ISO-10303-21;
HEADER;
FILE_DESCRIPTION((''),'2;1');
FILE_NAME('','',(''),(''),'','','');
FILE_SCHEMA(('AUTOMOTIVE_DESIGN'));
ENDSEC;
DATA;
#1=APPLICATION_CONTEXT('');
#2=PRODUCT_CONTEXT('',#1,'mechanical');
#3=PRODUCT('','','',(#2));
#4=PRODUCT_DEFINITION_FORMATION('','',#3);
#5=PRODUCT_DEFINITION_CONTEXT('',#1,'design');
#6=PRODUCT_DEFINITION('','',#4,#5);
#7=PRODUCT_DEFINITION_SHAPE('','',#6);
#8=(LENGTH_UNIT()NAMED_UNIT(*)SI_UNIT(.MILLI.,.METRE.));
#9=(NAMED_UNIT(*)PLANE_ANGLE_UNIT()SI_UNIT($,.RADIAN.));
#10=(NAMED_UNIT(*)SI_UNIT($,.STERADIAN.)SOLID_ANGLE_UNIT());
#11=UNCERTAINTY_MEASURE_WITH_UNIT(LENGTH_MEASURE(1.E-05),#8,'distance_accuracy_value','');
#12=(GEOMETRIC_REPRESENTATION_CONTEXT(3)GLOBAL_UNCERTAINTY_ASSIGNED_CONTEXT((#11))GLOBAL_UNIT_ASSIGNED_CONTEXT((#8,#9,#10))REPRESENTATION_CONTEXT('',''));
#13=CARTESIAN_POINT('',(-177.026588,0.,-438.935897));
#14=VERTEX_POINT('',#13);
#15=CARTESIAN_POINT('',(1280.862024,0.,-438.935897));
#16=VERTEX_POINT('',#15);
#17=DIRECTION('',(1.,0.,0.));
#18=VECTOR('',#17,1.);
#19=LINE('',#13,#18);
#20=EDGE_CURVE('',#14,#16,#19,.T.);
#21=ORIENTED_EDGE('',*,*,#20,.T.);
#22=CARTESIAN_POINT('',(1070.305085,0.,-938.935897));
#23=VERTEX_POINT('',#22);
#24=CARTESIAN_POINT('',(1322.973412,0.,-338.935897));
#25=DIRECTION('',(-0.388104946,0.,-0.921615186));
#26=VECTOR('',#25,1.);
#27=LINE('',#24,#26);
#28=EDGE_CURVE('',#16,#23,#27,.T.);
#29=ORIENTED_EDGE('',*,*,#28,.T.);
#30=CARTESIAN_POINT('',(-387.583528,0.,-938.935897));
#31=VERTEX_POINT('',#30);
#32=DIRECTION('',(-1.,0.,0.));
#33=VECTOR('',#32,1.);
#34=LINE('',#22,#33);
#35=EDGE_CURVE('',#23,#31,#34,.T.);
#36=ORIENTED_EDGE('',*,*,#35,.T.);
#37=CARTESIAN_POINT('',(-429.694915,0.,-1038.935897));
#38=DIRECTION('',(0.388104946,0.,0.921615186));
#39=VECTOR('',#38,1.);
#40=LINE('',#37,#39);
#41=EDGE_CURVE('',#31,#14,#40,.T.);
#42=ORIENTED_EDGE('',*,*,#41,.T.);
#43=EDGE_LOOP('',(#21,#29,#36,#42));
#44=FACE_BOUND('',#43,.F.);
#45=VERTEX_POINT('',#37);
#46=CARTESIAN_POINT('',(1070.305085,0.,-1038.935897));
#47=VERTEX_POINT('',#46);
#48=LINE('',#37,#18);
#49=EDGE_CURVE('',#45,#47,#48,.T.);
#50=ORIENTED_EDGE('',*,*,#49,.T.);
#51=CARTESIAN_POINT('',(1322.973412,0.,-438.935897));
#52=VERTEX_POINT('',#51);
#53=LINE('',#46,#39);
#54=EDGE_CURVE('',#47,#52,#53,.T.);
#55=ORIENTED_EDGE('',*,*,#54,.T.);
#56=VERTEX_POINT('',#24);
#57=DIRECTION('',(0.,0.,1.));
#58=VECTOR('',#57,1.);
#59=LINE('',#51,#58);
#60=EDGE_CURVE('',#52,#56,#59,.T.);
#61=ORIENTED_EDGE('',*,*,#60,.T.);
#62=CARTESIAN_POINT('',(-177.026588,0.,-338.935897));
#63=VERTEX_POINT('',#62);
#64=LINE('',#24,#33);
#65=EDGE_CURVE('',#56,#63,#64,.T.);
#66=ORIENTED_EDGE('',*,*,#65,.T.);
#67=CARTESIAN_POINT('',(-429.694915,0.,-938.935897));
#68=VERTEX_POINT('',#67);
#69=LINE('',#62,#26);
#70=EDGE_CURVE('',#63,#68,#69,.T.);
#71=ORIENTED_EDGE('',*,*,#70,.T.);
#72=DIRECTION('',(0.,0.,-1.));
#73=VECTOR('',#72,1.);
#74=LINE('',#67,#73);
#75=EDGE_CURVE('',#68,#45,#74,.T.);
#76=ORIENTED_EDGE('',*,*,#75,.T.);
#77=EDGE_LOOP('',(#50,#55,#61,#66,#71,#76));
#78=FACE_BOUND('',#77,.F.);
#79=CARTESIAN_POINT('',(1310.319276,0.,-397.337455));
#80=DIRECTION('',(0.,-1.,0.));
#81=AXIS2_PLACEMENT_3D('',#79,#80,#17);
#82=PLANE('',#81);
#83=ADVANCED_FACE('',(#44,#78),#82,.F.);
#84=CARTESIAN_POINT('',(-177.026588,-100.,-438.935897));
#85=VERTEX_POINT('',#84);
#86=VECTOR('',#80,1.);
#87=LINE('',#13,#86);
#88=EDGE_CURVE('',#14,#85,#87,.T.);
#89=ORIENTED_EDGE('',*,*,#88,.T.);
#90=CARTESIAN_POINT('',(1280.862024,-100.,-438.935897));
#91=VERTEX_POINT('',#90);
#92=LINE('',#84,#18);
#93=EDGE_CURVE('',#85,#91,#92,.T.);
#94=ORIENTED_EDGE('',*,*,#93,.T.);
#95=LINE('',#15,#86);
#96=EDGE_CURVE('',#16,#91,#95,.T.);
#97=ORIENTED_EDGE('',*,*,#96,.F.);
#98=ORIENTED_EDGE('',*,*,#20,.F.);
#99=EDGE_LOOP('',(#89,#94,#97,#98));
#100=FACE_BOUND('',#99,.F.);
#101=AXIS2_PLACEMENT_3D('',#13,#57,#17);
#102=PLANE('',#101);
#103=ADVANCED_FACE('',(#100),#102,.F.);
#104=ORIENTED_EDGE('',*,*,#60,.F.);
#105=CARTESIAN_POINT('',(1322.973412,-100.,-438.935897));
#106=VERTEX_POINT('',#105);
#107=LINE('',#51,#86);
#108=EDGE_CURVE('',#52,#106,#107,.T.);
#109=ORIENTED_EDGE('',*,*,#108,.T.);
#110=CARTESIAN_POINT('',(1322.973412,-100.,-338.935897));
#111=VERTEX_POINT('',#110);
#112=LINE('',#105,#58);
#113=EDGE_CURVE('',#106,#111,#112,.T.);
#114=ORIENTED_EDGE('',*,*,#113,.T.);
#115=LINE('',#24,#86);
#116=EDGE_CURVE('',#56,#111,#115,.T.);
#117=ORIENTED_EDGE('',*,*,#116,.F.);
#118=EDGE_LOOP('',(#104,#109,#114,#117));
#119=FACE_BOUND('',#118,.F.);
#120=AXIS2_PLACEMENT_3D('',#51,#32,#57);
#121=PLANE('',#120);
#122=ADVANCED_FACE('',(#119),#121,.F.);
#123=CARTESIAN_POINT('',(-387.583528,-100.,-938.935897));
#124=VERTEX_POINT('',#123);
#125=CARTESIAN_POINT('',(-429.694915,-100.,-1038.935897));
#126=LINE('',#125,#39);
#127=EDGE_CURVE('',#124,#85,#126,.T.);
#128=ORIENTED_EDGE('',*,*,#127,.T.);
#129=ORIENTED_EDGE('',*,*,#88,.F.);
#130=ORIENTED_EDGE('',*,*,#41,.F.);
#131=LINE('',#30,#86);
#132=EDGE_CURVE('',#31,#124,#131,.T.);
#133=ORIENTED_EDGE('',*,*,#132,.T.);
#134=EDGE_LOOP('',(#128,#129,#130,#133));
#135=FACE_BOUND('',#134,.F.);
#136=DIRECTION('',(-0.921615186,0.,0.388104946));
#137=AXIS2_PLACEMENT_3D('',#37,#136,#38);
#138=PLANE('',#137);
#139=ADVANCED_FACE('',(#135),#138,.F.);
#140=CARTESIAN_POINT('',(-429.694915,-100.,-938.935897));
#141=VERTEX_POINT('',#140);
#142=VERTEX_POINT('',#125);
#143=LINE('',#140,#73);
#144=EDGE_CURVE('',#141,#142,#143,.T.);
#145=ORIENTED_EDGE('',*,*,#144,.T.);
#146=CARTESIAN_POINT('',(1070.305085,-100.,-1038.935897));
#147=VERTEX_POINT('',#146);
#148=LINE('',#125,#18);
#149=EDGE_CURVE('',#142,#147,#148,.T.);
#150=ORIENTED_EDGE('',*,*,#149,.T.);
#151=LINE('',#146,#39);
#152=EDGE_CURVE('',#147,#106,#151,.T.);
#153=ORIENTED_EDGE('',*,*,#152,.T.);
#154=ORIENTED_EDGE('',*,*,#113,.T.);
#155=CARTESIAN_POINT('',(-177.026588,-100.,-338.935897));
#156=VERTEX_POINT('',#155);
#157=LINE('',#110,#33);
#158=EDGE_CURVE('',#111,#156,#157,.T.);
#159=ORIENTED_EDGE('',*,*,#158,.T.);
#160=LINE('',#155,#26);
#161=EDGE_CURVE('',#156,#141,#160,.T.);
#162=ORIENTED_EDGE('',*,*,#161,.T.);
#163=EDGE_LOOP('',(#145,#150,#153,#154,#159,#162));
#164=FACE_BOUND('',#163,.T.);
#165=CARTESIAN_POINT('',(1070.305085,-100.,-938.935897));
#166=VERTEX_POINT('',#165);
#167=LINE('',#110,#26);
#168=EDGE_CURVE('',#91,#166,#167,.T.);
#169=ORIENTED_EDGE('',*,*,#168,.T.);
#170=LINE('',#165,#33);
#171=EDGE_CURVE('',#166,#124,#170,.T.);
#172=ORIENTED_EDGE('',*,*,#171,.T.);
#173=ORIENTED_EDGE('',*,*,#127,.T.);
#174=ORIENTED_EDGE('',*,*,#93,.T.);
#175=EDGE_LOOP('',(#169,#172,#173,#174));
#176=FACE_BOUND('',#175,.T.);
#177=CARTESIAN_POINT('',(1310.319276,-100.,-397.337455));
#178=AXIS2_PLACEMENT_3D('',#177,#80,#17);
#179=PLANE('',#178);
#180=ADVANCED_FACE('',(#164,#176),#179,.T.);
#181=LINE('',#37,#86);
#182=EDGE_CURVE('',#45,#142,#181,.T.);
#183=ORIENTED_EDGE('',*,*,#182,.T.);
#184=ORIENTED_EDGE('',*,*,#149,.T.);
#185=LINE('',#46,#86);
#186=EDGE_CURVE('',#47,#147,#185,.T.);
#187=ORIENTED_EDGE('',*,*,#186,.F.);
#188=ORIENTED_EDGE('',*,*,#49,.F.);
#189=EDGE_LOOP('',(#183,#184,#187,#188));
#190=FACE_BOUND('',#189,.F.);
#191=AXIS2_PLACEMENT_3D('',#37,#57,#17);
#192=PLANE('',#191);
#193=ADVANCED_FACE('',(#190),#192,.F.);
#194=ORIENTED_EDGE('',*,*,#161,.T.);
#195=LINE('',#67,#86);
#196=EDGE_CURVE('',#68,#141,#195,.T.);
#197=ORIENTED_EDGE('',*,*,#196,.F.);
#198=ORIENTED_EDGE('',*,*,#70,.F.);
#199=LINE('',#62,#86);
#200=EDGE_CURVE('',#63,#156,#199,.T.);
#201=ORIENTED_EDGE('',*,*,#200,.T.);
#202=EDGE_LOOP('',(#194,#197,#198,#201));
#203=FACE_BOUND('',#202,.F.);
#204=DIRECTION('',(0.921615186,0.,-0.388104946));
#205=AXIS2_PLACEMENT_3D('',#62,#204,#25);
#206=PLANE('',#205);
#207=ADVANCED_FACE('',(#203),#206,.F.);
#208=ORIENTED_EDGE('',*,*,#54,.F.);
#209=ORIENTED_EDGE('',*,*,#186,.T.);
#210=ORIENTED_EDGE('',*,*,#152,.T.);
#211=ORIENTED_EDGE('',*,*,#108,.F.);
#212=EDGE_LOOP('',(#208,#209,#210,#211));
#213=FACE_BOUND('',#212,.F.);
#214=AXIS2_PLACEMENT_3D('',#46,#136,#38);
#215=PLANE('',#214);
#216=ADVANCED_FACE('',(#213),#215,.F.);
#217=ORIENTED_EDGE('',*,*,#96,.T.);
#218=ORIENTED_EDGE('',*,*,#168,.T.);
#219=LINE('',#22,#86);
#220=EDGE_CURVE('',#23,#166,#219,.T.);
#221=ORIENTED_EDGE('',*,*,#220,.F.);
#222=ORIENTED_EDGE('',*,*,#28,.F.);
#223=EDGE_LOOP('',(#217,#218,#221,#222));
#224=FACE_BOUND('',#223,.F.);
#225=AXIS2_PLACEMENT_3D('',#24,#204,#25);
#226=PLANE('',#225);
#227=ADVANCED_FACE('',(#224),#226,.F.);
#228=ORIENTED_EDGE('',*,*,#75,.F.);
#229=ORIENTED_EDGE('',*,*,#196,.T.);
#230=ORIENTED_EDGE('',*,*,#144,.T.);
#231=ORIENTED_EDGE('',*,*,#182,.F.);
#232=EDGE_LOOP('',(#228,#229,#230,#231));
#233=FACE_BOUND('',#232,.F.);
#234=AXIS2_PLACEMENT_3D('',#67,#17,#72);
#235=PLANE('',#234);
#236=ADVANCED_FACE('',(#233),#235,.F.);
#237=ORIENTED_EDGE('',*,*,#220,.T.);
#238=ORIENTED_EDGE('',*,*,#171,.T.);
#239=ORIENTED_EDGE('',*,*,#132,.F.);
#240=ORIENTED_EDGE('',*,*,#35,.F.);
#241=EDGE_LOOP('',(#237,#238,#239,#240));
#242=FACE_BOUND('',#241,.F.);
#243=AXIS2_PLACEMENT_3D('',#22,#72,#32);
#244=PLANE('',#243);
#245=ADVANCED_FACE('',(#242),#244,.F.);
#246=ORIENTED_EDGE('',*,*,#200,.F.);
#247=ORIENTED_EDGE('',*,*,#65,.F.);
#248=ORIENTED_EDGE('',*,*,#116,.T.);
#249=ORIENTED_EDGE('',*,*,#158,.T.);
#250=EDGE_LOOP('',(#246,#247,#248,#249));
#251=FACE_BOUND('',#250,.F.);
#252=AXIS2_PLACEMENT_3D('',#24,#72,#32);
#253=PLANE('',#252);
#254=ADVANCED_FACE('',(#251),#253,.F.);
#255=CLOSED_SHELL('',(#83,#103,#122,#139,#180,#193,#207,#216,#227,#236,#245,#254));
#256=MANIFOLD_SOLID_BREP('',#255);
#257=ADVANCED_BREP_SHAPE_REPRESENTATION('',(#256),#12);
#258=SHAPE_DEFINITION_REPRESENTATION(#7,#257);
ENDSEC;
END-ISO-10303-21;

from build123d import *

# Parameters (mm, degrees)
F1_DEPTH = 100
F2_DEPTH = 100
F3_DEPTH = 100


with BuildPart() as f1:
    # F0 (on Front) → F1 (new body)
    with BuildSketch(Plane.XZ):
        Polygon((-177.0265877346, -438.935896764), (1280.8620243115, -438.935896764), (1322.9734122654, -338.935896764), (-177.0265877346, -338.935896764), align=None)
    extrude(amount=F1_DEPTH)

    # F0 (on Front) → F2 (join)
    with BuildSketch(Plane.XZ):
        Polygon((-177.0265877346, -338.935896764), (-345.4721395502, -738.935896764), (-303.3607515963, -738.935896764), (-177.0265877346, -438.935896764), align=None)
        Polygon((-345.4721395502, -738.935896764), (-429.694915458, -938.935896764), (-387.5835275041, -938.935896764), (-303.3607515963, -738.935896764), align=None)
        Polygon((-429.694915458, -938.935896764), (-429.694915458, -1038.935896764), (-387.5835275041, -938.935896764), align=None)
    extrude(amount=F2_DEPTH)

    # F0 (on Front) → F3 (join)
    with BuildSketch(Plane.XZ):
        Polygon((1280.8620243115, -438.935896764), (1322.9734122654, -438.935896764), (1322.9734122654, -338.935896764), align=None)
        Polygon((1070.305084542, -938.935896764), (1070.305084542, -1038.935896764), (1322.9734122654, -438.935896764), (1280.8620243115, -438.935896764), (1154.5278604498, -738.935896764), align=None)
        Polygon((-387.5835275041, -938.935896764), (-429.694915458, -1038.935896764), (1070.305084542, -1038.935896764), (1070.305084542, -938.935896764), align=None)
    extrude(amount=F3_DEPTH)


solid = f1.part
